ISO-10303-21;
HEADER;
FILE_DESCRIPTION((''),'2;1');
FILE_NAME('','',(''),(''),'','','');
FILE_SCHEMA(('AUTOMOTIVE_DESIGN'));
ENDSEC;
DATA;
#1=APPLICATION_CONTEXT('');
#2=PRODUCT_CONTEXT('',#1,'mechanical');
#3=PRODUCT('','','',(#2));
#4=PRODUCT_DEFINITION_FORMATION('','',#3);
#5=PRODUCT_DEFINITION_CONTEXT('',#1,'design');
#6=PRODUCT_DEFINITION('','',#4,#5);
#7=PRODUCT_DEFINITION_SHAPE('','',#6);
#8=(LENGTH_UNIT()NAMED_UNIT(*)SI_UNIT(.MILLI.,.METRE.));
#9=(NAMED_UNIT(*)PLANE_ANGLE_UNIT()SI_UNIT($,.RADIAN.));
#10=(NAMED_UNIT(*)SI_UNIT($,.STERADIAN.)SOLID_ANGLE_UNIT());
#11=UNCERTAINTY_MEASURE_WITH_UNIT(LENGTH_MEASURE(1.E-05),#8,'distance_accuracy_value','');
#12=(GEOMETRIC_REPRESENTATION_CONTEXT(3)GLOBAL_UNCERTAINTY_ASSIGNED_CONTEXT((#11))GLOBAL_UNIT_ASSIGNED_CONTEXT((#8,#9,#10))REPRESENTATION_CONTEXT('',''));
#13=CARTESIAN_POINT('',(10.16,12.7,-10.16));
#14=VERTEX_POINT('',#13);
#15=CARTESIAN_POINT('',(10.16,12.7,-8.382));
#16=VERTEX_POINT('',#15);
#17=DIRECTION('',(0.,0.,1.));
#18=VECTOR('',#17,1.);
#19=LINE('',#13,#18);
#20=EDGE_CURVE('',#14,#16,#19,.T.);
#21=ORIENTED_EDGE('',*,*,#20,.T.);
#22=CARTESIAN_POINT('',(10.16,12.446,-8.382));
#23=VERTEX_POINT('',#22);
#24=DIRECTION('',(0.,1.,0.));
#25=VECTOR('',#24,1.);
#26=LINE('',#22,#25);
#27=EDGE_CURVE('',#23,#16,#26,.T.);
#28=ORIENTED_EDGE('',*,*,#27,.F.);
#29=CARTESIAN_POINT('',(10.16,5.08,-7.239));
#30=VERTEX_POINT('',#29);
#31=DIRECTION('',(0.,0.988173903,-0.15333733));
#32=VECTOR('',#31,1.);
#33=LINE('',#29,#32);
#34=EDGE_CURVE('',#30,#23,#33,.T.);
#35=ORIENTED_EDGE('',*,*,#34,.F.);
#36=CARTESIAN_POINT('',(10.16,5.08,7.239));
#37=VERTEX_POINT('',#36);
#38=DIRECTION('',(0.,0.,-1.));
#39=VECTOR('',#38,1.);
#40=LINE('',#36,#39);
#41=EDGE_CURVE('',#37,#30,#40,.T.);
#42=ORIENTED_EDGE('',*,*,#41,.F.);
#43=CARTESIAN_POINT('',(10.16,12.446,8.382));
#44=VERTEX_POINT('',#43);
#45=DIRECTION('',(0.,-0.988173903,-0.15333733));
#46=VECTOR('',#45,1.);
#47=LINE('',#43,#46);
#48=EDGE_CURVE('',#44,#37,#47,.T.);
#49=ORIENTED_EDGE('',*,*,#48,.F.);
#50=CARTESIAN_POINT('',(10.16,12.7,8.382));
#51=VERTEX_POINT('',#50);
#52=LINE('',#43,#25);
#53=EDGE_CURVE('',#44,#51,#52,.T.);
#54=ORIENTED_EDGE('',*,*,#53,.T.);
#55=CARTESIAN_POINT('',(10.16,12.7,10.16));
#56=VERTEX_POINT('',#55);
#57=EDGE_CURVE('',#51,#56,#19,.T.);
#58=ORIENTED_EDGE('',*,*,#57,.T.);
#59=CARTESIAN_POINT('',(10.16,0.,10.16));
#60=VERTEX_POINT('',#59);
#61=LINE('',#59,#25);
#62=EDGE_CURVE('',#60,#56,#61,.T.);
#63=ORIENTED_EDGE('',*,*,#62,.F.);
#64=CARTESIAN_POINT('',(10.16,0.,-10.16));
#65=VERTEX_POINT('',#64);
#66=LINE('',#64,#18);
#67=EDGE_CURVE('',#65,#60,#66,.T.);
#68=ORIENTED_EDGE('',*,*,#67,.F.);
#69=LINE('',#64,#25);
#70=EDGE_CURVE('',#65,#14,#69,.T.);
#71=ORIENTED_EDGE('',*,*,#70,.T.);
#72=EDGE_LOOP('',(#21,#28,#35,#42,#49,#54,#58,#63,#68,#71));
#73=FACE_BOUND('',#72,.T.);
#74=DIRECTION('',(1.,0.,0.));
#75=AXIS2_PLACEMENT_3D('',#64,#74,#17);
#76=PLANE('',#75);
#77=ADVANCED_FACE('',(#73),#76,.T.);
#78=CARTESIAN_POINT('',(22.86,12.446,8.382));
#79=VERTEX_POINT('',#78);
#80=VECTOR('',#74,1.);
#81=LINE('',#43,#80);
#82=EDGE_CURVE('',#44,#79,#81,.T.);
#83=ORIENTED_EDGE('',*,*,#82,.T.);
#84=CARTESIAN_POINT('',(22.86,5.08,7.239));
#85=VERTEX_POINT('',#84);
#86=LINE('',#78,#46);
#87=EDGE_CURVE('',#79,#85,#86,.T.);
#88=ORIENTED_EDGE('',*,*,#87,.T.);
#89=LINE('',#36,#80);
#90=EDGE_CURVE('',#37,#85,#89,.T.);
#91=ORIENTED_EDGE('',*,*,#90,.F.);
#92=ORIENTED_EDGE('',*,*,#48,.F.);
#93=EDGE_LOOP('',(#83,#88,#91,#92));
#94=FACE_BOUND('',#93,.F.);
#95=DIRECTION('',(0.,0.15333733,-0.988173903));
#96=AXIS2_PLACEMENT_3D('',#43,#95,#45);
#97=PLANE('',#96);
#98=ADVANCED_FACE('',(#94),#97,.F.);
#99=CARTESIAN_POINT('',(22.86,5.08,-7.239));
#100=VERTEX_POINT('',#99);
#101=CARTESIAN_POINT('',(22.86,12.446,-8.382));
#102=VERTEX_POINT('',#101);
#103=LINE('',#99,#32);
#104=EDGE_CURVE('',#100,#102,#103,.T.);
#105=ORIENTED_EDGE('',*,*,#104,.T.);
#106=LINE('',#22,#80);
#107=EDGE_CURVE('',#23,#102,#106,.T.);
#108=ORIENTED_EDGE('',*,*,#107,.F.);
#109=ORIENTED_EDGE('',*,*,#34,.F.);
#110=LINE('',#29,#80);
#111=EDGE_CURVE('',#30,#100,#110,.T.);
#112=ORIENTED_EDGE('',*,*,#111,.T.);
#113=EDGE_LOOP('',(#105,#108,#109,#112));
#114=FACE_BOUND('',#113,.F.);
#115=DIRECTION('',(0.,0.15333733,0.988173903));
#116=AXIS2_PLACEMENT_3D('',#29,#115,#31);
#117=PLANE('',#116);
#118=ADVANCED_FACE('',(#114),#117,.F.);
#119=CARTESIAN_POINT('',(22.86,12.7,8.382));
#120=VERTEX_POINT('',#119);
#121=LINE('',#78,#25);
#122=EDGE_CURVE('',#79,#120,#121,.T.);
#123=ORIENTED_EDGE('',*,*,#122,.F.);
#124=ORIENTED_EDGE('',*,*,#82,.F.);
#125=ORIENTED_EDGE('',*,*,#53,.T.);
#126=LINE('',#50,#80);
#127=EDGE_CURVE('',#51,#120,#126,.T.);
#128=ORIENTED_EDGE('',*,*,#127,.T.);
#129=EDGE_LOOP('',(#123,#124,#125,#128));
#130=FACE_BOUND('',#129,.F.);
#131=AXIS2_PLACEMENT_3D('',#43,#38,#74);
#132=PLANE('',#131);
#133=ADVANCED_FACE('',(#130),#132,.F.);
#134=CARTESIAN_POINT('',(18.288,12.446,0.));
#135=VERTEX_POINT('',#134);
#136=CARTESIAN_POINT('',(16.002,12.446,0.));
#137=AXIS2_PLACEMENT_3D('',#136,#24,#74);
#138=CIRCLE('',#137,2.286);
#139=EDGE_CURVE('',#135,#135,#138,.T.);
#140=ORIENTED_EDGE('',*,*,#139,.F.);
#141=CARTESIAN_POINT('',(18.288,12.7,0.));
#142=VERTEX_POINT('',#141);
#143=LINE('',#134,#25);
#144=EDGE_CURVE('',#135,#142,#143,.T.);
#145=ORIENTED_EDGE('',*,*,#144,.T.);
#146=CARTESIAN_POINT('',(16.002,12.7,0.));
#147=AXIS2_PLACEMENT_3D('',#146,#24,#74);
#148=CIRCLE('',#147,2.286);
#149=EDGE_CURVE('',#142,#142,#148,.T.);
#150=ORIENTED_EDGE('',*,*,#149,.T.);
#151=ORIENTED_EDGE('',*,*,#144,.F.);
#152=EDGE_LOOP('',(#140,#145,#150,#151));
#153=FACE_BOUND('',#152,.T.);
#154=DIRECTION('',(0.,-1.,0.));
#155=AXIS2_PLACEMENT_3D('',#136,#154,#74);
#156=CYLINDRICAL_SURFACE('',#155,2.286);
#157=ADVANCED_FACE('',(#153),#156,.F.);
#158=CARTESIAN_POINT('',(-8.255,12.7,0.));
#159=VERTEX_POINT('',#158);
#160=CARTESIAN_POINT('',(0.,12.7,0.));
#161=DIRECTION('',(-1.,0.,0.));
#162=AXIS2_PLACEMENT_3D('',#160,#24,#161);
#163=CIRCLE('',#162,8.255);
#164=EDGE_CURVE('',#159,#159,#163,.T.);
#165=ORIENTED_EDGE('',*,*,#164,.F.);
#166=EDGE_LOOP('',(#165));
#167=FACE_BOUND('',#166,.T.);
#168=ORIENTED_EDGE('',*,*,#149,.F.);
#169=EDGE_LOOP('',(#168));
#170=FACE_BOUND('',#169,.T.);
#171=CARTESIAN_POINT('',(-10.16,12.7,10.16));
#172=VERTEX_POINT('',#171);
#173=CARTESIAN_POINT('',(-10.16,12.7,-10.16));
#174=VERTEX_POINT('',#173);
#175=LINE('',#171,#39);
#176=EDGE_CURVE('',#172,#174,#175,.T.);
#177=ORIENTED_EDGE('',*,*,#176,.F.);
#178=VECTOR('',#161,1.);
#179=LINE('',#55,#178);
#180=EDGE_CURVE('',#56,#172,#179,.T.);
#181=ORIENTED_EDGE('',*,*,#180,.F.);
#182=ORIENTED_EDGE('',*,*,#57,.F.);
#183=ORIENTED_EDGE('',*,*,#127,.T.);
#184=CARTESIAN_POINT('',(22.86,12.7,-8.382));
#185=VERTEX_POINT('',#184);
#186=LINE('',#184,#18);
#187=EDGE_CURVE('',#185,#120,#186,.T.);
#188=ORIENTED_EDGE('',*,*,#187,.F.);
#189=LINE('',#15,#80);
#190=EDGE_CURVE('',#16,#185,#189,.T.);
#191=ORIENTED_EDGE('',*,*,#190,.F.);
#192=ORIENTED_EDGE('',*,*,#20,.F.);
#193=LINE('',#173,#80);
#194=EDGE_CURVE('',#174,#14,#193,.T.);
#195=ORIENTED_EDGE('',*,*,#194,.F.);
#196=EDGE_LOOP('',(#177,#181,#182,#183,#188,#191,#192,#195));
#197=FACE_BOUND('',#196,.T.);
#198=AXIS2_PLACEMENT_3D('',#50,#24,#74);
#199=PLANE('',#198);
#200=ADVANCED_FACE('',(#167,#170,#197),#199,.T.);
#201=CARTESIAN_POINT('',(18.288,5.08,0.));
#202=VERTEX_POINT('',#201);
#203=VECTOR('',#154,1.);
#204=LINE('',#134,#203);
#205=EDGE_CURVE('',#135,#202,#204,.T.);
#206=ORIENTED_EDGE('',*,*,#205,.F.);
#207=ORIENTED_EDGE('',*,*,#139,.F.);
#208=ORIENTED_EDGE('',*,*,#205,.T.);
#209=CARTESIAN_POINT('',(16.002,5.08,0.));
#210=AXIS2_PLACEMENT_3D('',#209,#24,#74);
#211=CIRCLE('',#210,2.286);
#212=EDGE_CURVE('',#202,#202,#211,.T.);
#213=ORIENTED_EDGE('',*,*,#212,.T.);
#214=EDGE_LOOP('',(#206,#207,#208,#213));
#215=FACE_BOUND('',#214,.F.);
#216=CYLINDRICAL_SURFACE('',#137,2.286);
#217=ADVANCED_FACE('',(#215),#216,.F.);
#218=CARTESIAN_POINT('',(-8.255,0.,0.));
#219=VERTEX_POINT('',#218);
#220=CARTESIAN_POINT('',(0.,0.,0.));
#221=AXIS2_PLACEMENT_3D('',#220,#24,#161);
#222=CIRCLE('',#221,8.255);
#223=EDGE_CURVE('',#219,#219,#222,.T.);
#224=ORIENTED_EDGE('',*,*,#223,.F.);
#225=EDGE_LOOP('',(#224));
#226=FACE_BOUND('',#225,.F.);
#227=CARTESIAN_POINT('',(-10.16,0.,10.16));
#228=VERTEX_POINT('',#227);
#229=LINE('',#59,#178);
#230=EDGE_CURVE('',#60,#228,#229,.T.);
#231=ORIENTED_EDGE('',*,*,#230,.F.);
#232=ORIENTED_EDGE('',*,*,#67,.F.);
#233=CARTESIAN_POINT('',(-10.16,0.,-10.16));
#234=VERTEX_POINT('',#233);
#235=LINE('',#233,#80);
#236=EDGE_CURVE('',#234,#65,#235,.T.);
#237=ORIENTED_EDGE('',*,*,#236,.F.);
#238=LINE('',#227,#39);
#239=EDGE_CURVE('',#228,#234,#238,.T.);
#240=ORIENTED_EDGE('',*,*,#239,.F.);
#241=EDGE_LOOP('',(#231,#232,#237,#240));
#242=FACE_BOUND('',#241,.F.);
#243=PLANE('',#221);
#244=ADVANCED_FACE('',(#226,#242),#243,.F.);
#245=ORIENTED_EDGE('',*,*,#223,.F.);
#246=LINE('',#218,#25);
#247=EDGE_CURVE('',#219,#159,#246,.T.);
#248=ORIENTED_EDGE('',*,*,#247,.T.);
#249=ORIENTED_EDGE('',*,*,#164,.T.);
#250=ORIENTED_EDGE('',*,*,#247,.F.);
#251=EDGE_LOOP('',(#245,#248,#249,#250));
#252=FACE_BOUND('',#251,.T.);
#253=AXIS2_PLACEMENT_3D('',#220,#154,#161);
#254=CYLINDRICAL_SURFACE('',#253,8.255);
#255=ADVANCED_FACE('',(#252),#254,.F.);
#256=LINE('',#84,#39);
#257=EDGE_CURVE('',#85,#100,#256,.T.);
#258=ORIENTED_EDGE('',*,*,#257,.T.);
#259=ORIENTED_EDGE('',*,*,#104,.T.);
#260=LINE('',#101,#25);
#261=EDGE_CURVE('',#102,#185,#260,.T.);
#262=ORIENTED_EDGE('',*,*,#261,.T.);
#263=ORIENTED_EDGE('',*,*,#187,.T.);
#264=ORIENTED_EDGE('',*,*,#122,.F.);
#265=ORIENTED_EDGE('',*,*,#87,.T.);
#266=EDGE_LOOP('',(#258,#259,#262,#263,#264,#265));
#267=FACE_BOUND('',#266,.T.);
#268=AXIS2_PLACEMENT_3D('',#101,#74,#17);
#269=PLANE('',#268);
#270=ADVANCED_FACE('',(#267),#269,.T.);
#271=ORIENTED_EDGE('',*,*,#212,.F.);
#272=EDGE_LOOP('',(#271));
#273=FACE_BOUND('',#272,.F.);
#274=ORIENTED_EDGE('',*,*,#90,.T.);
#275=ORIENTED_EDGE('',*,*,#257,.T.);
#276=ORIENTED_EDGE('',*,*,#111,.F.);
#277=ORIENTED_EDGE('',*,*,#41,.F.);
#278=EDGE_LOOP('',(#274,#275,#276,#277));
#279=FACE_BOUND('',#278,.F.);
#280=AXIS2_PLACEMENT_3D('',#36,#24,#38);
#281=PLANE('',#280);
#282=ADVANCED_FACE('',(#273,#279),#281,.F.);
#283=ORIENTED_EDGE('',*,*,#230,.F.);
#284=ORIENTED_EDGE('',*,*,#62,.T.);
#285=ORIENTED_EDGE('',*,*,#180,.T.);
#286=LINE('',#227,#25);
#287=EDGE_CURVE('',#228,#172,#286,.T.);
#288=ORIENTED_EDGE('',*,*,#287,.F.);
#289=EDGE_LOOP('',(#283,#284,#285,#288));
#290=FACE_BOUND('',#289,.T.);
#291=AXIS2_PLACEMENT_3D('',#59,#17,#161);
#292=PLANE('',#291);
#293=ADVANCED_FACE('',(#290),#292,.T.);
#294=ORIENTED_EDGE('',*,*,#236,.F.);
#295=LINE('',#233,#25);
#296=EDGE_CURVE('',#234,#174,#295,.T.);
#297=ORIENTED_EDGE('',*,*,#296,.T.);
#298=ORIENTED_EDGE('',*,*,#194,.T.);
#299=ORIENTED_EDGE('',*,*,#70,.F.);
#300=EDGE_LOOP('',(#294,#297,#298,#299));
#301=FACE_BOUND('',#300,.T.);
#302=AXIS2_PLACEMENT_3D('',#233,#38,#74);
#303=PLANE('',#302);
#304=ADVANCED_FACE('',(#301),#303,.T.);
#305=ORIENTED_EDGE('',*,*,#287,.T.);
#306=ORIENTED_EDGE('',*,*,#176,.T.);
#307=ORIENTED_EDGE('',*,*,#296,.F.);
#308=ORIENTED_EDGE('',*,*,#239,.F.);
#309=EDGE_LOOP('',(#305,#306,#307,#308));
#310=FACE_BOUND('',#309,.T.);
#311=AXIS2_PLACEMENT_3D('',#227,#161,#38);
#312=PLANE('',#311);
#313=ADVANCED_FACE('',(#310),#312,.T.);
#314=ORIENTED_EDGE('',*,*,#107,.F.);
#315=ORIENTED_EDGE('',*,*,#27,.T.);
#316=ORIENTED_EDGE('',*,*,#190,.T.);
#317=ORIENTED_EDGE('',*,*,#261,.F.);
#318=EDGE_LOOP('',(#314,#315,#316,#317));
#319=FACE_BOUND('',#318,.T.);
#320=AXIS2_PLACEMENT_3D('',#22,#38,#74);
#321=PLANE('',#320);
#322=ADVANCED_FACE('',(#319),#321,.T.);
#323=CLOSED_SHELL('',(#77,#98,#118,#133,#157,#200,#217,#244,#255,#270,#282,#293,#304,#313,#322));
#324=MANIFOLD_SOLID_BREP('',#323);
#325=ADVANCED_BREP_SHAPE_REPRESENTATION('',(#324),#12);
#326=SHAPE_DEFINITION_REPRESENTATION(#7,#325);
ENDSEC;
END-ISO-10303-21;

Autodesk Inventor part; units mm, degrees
ref_plane "YZ Plane" through (0, 0, 0) normal (1, 0, 0) x (0, 1, 0)
ref_plane "XZ Plane" through (0, 0, 0) normal (0, 1, 0) x (-1, 0, 0)
ref_plane "XY Plane" through (0, 0, 0) normal (0, 0, 1) x (1, 0, 0)
sketch "Sketch1" plane through (0, 0, 0) normal (0, 1, 0) x (-1, 0, 0)
  line L0 (-10.16, 10.16) -> (10.16, 10.16)
  line L1 (10.16, 10.16) -> (10.16, -10.16)
  line L2 (10.16, -10.16) -> (-10.16, -10.16)
  line L3 (-10.16, -10.16) -> (-10.16, 10.16)
  circle A0 centre (0, 0) radius 8.255
  dimension "d0" = 20.32
  dimension "d1" = 20.32
  dimension "d2" = 10.16
  dimension "d3" = 10.16
  dimension "d4" = 16.51
extrude "Extrusion1" add sketch "Sketch1" along normal blind 12.7
sketch "Sketch2" plane through (10.16, 0, 10.16) normal (1, 0, 0) x (0, 0, -1)
  line L0 (1.778, 12.446) -> (2.921, 5.08)
  line L1 (2.921, 5.08) -> (17.399, 5.08)
  line L2 (17.399, 5.08) -> (18.542, 12.446)
  line L3 (18.542, 12.446) -> (1.778, 12.446)
  line L4 (20.32, 0) -> (0, 0) projected
  line L5 (20.32, 0) -> (20.32, 12.7) projected
  point P0 (10.16, 0)
  dimension "d7" = 16.764
  dimension "d8" = 14.478
  dimension "d9" = 7.366
  dimension "d10" = 5.08
  dimension "d11" = 2.921
extrude "Extrusion2" add sketch "Sketch2" along normal blind 12.7
sketch "Sketch3" plane through (10.16, 12.446, 8.382) normal (0, 1, 0) x (1, 0, 0)
  circle A0 centre (5.842, 8.382) radius 2.286
  line L0 (12.7, 16.764) -> (12.7, 0) projected
  point P0 (-10.16, 8.382)
  dimension "d14" = 4.572
  dimension "d15" = 6.858
extrude "Extrusion3" cut sketch "Sketch3" against normal blind 17.78
sketch "Sketch4" plane through (10.16, 12.446, 8.382) normal (0, 1, 0) x (1, 0, 0)
  circle A0 centre (5.842, 8.382) radius 2.286 projected
  line L0 (0, 0) -> (0, 16.764) projected
  line L1 (0, 0) -> (12.7, 0) projected
  line L2 (12.7, 16.764) -> (12.7, 0) projected
  line L3 (0, 16.764) -> (12.7, 16.764) projected
  point P0 (-10.16, 8.382)
extrude "Extrusion4" add sketch "Sketch4" along normal up to surface (0.254 mm away)
properties part number "HopperFinal2"
